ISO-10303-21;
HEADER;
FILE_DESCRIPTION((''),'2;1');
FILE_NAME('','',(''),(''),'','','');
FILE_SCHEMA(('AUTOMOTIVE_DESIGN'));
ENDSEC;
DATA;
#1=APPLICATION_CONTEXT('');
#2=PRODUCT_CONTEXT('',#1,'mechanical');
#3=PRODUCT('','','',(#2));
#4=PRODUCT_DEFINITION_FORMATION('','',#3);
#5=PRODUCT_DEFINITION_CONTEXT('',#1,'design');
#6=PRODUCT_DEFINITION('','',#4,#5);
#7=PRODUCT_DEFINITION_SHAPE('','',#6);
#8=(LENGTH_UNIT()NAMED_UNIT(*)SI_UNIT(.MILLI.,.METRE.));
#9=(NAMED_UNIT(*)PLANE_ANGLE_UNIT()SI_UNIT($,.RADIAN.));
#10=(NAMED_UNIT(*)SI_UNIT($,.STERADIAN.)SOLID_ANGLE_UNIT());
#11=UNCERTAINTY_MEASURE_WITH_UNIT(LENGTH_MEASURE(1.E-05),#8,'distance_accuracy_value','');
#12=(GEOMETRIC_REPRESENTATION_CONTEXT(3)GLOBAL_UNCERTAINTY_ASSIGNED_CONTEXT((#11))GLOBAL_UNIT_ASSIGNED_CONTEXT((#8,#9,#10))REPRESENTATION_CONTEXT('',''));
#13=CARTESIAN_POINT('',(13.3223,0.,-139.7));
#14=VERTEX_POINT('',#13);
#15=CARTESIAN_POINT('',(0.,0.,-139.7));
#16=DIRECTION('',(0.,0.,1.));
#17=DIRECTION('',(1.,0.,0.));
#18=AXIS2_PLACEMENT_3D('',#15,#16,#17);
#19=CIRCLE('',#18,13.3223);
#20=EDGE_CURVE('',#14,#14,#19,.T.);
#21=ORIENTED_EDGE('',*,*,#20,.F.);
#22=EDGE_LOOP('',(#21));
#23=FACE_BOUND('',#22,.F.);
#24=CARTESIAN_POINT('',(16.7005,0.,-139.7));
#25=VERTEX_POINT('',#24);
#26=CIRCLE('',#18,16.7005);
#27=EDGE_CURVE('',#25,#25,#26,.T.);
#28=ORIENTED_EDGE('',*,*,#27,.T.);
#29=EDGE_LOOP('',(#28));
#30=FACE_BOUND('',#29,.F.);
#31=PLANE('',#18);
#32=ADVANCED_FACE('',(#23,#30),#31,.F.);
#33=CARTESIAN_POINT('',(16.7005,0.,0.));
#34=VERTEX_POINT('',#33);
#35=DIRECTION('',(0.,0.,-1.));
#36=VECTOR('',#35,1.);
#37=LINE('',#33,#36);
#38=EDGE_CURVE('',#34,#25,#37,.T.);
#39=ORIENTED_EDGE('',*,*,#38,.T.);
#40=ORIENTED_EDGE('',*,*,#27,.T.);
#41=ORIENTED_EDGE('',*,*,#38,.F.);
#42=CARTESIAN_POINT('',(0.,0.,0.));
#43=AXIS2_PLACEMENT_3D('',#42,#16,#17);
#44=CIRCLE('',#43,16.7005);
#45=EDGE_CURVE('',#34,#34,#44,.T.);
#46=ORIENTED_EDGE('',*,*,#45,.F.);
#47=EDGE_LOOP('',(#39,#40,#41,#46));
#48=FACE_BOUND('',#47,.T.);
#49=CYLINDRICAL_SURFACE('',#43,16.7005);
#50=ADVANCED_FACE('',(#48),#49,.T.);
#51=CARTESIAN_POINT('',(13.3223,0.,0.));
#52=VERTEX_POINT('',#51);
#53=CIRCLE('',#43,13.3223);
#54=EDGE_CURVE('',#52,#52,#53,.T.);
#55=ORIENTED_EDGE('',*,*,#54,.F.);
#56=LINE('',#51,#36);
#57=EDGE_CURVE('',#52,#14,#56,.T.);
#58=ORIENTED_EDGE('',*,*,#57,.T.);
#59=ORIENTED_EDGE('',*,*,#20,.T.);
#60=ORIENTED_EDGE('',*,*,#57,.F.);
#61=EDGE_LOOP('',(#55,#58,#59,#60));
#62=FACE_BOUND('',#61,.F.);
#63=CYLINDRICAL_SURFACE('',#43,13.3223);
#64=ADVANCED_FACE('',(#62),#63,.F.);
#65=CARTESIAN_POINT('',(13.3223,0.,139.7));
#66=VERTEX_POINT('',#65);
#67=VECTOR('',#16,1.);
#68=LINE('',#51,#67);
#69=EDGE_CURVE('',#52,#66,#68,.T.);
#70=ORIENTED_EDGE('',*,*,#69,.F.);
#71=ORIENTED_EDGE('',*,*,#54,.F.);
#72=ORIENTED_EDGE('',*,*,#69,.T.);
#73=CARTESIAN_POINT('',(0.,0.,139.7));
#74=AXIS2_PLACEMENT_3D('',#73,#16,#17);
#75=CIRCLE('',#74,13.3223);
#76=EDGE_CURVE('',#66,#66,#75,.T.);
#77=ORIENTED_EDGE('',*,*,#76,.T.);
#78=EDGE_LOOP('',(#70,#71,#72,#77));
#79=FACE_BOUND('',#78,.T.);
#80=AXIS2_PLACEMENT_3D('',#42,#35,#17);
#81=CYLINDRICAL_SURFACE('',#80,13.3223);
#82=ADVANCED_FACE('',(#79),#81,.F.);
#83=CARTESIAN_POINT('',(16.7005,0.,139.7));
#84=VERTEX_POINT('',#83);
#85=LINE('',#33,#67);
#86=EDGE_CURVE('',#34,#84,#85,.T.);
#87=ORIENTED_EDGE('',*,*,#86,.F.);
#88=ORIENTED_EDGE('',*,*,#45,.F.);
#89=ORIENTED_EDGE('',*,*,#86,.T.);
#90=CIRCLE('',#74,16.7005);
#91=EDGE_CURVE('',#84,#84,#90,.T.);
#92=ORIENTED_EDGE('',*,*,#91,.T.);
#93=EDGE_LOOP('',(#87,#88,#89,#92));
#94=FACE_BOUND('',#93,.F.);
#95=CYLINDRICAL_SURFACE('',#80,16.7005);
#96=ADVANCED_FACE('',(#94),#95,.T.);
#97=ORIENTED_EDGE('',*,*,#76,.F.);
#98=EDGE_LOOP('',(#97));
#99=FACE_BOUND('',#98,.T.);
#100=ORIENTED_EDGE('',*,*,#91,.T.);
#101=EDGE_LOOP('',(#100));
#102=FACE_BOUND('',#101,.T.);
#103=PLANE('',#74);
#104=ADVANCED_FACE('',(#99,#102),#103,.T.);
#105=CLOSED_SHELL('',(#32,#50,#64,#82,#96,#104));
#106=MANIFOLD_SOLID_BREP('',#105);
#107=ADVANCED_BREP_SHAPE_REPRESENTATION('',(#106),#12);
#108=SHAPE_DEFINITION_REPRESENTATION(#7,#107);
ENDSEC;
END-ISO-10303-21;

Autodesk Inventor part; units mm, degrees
ref_plane "YZ Plane" through (0, 0, 0) normal (1, 0, 0) x (0, 1, 0)
ref_plane "XZ Plane" through (0, 0, 0) normal (0, 1, 0) x (-1, 0, 0)
ref_plane "XY Plane" through (0, 0, 0) normal (0, 0, 1) x (1, 0, 0)
sketch "Sketch1" plane through (0, 0, 0) normal (0, 0, 1) x (1, 0, 0)
  circle A0 centre (0, 0) radius 16.7005
  circle A1 centre (0, 0) radius 13.3223
  dimension "d0" = 33.401
  dimension "d1" = 26.6446
extrude "Extrusion1" add sketch "Sketch1" along normal mid plane 279.4
properties part number "1 inch sched 40 aluminum pipe - 11 inch long"
